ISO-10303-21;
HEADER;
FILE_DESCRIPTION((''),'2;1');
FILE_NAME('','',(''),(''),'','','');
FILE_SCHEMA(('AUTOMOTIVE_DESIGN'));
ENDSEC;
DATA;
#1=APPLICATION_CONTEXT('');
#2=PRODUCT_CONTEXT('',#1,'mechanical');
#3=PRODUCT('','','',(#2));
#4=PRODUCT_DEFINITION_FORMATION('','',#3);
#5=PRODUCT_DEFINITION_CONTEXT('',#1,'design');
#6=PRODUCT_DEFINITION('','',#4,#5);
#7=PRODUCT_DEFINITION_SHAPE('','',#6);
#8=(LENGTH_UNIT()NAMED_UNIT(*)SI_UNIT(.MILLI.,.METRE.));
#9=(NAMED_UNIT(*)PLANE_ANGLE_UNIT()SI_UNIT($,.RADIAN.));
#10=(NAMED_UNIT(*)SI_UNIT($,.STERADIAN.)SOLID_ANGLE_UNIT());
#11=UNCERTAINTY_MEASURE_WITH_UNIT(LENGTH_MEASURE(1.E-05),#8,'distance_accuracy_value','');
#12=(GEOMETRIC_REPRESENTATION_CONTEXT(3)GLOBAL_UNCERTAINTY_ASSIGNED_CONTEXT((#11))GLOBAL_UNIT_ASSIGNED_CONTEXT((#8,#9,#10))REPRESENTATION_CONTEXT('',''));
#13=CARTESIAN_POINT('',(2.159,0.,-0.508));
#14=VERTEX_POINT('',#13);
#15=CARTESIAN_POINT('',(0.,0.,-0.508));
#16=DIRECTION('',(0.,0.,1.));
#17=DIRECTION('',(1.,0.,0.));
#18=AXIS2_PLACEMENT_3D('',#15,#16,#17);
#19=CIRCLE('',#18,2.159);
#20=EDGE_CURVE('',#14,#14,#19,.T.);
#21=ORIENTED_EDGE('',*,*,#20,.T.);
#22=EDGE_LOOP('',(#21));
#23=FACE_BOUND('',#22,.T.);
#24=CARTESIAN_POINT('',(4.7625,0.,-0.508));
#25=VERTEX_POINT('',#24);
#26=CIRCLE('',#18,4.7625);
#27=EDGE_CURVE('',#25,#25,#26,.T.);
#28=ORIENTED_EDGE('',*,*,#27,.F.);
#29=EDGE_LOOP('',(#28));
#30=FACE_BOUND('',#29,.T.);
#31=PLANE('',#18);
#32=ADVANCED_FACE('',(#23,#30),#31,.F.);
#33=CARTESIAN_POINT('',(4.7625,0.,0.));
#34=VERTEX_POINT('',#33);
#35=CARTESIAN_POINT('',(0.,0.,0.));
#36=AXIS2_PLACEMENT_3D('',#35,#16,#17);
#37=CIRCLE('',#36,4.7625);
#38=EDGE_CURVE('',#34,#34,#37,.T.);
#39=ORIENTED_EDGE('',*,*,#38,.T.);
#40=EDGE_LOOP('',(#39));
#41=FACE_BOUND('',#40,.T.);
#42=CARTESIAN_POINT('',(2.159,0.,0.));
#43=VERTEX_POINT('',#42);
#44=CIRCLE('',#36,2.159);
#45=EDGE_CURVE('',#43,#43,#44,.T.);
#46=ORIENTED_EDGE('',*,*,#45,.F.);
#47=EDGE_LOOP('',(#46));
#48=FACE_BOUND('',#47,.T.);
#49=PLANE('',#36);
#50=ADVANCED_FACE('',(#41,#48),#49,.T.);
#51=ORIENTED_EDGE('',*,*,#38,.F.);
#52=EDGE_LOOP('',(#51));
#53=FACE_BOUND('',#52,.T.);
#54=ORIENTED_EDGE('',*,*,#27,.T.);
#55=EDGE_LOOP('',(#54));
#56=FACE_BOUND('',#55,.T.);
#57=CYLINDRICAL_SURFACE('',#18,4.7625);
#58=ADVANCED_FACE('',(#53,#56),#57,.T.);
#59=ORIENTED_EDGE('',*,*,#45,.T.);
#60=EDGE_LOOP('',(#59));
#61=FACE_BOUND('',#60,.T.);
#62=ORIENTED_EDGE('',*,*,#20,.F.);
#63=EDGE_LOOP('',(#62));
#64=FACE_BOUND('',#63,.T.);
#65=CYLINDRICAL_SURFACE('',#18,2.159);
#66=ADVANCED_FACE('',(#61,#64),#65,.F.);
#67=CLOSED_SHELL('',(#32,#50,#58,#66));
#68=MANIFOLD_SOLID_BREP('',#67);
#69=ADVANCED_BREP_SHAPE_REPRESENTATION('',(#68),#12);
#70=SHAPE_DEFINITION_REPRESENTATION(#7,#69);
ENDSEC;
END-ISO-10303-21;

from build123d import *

# Parameters (mm, degrees)
SKETCH1_R      = 4.7625
SKETCH1_R_2    = 2.159
EXTRUDE1_DEPTH = 0.508


with BuildPart() as part:
    # Sketch1 → Extrude1 (new body)
    with BuildSketch(Plane.XY):
        Circle(SKETCH1_R)
        Circle(SKETCH1_R_2, mode=Mode.SUBTRACT)
    extrude(amount=-EXTRUDE1_DEPTH)


solid = part.part
